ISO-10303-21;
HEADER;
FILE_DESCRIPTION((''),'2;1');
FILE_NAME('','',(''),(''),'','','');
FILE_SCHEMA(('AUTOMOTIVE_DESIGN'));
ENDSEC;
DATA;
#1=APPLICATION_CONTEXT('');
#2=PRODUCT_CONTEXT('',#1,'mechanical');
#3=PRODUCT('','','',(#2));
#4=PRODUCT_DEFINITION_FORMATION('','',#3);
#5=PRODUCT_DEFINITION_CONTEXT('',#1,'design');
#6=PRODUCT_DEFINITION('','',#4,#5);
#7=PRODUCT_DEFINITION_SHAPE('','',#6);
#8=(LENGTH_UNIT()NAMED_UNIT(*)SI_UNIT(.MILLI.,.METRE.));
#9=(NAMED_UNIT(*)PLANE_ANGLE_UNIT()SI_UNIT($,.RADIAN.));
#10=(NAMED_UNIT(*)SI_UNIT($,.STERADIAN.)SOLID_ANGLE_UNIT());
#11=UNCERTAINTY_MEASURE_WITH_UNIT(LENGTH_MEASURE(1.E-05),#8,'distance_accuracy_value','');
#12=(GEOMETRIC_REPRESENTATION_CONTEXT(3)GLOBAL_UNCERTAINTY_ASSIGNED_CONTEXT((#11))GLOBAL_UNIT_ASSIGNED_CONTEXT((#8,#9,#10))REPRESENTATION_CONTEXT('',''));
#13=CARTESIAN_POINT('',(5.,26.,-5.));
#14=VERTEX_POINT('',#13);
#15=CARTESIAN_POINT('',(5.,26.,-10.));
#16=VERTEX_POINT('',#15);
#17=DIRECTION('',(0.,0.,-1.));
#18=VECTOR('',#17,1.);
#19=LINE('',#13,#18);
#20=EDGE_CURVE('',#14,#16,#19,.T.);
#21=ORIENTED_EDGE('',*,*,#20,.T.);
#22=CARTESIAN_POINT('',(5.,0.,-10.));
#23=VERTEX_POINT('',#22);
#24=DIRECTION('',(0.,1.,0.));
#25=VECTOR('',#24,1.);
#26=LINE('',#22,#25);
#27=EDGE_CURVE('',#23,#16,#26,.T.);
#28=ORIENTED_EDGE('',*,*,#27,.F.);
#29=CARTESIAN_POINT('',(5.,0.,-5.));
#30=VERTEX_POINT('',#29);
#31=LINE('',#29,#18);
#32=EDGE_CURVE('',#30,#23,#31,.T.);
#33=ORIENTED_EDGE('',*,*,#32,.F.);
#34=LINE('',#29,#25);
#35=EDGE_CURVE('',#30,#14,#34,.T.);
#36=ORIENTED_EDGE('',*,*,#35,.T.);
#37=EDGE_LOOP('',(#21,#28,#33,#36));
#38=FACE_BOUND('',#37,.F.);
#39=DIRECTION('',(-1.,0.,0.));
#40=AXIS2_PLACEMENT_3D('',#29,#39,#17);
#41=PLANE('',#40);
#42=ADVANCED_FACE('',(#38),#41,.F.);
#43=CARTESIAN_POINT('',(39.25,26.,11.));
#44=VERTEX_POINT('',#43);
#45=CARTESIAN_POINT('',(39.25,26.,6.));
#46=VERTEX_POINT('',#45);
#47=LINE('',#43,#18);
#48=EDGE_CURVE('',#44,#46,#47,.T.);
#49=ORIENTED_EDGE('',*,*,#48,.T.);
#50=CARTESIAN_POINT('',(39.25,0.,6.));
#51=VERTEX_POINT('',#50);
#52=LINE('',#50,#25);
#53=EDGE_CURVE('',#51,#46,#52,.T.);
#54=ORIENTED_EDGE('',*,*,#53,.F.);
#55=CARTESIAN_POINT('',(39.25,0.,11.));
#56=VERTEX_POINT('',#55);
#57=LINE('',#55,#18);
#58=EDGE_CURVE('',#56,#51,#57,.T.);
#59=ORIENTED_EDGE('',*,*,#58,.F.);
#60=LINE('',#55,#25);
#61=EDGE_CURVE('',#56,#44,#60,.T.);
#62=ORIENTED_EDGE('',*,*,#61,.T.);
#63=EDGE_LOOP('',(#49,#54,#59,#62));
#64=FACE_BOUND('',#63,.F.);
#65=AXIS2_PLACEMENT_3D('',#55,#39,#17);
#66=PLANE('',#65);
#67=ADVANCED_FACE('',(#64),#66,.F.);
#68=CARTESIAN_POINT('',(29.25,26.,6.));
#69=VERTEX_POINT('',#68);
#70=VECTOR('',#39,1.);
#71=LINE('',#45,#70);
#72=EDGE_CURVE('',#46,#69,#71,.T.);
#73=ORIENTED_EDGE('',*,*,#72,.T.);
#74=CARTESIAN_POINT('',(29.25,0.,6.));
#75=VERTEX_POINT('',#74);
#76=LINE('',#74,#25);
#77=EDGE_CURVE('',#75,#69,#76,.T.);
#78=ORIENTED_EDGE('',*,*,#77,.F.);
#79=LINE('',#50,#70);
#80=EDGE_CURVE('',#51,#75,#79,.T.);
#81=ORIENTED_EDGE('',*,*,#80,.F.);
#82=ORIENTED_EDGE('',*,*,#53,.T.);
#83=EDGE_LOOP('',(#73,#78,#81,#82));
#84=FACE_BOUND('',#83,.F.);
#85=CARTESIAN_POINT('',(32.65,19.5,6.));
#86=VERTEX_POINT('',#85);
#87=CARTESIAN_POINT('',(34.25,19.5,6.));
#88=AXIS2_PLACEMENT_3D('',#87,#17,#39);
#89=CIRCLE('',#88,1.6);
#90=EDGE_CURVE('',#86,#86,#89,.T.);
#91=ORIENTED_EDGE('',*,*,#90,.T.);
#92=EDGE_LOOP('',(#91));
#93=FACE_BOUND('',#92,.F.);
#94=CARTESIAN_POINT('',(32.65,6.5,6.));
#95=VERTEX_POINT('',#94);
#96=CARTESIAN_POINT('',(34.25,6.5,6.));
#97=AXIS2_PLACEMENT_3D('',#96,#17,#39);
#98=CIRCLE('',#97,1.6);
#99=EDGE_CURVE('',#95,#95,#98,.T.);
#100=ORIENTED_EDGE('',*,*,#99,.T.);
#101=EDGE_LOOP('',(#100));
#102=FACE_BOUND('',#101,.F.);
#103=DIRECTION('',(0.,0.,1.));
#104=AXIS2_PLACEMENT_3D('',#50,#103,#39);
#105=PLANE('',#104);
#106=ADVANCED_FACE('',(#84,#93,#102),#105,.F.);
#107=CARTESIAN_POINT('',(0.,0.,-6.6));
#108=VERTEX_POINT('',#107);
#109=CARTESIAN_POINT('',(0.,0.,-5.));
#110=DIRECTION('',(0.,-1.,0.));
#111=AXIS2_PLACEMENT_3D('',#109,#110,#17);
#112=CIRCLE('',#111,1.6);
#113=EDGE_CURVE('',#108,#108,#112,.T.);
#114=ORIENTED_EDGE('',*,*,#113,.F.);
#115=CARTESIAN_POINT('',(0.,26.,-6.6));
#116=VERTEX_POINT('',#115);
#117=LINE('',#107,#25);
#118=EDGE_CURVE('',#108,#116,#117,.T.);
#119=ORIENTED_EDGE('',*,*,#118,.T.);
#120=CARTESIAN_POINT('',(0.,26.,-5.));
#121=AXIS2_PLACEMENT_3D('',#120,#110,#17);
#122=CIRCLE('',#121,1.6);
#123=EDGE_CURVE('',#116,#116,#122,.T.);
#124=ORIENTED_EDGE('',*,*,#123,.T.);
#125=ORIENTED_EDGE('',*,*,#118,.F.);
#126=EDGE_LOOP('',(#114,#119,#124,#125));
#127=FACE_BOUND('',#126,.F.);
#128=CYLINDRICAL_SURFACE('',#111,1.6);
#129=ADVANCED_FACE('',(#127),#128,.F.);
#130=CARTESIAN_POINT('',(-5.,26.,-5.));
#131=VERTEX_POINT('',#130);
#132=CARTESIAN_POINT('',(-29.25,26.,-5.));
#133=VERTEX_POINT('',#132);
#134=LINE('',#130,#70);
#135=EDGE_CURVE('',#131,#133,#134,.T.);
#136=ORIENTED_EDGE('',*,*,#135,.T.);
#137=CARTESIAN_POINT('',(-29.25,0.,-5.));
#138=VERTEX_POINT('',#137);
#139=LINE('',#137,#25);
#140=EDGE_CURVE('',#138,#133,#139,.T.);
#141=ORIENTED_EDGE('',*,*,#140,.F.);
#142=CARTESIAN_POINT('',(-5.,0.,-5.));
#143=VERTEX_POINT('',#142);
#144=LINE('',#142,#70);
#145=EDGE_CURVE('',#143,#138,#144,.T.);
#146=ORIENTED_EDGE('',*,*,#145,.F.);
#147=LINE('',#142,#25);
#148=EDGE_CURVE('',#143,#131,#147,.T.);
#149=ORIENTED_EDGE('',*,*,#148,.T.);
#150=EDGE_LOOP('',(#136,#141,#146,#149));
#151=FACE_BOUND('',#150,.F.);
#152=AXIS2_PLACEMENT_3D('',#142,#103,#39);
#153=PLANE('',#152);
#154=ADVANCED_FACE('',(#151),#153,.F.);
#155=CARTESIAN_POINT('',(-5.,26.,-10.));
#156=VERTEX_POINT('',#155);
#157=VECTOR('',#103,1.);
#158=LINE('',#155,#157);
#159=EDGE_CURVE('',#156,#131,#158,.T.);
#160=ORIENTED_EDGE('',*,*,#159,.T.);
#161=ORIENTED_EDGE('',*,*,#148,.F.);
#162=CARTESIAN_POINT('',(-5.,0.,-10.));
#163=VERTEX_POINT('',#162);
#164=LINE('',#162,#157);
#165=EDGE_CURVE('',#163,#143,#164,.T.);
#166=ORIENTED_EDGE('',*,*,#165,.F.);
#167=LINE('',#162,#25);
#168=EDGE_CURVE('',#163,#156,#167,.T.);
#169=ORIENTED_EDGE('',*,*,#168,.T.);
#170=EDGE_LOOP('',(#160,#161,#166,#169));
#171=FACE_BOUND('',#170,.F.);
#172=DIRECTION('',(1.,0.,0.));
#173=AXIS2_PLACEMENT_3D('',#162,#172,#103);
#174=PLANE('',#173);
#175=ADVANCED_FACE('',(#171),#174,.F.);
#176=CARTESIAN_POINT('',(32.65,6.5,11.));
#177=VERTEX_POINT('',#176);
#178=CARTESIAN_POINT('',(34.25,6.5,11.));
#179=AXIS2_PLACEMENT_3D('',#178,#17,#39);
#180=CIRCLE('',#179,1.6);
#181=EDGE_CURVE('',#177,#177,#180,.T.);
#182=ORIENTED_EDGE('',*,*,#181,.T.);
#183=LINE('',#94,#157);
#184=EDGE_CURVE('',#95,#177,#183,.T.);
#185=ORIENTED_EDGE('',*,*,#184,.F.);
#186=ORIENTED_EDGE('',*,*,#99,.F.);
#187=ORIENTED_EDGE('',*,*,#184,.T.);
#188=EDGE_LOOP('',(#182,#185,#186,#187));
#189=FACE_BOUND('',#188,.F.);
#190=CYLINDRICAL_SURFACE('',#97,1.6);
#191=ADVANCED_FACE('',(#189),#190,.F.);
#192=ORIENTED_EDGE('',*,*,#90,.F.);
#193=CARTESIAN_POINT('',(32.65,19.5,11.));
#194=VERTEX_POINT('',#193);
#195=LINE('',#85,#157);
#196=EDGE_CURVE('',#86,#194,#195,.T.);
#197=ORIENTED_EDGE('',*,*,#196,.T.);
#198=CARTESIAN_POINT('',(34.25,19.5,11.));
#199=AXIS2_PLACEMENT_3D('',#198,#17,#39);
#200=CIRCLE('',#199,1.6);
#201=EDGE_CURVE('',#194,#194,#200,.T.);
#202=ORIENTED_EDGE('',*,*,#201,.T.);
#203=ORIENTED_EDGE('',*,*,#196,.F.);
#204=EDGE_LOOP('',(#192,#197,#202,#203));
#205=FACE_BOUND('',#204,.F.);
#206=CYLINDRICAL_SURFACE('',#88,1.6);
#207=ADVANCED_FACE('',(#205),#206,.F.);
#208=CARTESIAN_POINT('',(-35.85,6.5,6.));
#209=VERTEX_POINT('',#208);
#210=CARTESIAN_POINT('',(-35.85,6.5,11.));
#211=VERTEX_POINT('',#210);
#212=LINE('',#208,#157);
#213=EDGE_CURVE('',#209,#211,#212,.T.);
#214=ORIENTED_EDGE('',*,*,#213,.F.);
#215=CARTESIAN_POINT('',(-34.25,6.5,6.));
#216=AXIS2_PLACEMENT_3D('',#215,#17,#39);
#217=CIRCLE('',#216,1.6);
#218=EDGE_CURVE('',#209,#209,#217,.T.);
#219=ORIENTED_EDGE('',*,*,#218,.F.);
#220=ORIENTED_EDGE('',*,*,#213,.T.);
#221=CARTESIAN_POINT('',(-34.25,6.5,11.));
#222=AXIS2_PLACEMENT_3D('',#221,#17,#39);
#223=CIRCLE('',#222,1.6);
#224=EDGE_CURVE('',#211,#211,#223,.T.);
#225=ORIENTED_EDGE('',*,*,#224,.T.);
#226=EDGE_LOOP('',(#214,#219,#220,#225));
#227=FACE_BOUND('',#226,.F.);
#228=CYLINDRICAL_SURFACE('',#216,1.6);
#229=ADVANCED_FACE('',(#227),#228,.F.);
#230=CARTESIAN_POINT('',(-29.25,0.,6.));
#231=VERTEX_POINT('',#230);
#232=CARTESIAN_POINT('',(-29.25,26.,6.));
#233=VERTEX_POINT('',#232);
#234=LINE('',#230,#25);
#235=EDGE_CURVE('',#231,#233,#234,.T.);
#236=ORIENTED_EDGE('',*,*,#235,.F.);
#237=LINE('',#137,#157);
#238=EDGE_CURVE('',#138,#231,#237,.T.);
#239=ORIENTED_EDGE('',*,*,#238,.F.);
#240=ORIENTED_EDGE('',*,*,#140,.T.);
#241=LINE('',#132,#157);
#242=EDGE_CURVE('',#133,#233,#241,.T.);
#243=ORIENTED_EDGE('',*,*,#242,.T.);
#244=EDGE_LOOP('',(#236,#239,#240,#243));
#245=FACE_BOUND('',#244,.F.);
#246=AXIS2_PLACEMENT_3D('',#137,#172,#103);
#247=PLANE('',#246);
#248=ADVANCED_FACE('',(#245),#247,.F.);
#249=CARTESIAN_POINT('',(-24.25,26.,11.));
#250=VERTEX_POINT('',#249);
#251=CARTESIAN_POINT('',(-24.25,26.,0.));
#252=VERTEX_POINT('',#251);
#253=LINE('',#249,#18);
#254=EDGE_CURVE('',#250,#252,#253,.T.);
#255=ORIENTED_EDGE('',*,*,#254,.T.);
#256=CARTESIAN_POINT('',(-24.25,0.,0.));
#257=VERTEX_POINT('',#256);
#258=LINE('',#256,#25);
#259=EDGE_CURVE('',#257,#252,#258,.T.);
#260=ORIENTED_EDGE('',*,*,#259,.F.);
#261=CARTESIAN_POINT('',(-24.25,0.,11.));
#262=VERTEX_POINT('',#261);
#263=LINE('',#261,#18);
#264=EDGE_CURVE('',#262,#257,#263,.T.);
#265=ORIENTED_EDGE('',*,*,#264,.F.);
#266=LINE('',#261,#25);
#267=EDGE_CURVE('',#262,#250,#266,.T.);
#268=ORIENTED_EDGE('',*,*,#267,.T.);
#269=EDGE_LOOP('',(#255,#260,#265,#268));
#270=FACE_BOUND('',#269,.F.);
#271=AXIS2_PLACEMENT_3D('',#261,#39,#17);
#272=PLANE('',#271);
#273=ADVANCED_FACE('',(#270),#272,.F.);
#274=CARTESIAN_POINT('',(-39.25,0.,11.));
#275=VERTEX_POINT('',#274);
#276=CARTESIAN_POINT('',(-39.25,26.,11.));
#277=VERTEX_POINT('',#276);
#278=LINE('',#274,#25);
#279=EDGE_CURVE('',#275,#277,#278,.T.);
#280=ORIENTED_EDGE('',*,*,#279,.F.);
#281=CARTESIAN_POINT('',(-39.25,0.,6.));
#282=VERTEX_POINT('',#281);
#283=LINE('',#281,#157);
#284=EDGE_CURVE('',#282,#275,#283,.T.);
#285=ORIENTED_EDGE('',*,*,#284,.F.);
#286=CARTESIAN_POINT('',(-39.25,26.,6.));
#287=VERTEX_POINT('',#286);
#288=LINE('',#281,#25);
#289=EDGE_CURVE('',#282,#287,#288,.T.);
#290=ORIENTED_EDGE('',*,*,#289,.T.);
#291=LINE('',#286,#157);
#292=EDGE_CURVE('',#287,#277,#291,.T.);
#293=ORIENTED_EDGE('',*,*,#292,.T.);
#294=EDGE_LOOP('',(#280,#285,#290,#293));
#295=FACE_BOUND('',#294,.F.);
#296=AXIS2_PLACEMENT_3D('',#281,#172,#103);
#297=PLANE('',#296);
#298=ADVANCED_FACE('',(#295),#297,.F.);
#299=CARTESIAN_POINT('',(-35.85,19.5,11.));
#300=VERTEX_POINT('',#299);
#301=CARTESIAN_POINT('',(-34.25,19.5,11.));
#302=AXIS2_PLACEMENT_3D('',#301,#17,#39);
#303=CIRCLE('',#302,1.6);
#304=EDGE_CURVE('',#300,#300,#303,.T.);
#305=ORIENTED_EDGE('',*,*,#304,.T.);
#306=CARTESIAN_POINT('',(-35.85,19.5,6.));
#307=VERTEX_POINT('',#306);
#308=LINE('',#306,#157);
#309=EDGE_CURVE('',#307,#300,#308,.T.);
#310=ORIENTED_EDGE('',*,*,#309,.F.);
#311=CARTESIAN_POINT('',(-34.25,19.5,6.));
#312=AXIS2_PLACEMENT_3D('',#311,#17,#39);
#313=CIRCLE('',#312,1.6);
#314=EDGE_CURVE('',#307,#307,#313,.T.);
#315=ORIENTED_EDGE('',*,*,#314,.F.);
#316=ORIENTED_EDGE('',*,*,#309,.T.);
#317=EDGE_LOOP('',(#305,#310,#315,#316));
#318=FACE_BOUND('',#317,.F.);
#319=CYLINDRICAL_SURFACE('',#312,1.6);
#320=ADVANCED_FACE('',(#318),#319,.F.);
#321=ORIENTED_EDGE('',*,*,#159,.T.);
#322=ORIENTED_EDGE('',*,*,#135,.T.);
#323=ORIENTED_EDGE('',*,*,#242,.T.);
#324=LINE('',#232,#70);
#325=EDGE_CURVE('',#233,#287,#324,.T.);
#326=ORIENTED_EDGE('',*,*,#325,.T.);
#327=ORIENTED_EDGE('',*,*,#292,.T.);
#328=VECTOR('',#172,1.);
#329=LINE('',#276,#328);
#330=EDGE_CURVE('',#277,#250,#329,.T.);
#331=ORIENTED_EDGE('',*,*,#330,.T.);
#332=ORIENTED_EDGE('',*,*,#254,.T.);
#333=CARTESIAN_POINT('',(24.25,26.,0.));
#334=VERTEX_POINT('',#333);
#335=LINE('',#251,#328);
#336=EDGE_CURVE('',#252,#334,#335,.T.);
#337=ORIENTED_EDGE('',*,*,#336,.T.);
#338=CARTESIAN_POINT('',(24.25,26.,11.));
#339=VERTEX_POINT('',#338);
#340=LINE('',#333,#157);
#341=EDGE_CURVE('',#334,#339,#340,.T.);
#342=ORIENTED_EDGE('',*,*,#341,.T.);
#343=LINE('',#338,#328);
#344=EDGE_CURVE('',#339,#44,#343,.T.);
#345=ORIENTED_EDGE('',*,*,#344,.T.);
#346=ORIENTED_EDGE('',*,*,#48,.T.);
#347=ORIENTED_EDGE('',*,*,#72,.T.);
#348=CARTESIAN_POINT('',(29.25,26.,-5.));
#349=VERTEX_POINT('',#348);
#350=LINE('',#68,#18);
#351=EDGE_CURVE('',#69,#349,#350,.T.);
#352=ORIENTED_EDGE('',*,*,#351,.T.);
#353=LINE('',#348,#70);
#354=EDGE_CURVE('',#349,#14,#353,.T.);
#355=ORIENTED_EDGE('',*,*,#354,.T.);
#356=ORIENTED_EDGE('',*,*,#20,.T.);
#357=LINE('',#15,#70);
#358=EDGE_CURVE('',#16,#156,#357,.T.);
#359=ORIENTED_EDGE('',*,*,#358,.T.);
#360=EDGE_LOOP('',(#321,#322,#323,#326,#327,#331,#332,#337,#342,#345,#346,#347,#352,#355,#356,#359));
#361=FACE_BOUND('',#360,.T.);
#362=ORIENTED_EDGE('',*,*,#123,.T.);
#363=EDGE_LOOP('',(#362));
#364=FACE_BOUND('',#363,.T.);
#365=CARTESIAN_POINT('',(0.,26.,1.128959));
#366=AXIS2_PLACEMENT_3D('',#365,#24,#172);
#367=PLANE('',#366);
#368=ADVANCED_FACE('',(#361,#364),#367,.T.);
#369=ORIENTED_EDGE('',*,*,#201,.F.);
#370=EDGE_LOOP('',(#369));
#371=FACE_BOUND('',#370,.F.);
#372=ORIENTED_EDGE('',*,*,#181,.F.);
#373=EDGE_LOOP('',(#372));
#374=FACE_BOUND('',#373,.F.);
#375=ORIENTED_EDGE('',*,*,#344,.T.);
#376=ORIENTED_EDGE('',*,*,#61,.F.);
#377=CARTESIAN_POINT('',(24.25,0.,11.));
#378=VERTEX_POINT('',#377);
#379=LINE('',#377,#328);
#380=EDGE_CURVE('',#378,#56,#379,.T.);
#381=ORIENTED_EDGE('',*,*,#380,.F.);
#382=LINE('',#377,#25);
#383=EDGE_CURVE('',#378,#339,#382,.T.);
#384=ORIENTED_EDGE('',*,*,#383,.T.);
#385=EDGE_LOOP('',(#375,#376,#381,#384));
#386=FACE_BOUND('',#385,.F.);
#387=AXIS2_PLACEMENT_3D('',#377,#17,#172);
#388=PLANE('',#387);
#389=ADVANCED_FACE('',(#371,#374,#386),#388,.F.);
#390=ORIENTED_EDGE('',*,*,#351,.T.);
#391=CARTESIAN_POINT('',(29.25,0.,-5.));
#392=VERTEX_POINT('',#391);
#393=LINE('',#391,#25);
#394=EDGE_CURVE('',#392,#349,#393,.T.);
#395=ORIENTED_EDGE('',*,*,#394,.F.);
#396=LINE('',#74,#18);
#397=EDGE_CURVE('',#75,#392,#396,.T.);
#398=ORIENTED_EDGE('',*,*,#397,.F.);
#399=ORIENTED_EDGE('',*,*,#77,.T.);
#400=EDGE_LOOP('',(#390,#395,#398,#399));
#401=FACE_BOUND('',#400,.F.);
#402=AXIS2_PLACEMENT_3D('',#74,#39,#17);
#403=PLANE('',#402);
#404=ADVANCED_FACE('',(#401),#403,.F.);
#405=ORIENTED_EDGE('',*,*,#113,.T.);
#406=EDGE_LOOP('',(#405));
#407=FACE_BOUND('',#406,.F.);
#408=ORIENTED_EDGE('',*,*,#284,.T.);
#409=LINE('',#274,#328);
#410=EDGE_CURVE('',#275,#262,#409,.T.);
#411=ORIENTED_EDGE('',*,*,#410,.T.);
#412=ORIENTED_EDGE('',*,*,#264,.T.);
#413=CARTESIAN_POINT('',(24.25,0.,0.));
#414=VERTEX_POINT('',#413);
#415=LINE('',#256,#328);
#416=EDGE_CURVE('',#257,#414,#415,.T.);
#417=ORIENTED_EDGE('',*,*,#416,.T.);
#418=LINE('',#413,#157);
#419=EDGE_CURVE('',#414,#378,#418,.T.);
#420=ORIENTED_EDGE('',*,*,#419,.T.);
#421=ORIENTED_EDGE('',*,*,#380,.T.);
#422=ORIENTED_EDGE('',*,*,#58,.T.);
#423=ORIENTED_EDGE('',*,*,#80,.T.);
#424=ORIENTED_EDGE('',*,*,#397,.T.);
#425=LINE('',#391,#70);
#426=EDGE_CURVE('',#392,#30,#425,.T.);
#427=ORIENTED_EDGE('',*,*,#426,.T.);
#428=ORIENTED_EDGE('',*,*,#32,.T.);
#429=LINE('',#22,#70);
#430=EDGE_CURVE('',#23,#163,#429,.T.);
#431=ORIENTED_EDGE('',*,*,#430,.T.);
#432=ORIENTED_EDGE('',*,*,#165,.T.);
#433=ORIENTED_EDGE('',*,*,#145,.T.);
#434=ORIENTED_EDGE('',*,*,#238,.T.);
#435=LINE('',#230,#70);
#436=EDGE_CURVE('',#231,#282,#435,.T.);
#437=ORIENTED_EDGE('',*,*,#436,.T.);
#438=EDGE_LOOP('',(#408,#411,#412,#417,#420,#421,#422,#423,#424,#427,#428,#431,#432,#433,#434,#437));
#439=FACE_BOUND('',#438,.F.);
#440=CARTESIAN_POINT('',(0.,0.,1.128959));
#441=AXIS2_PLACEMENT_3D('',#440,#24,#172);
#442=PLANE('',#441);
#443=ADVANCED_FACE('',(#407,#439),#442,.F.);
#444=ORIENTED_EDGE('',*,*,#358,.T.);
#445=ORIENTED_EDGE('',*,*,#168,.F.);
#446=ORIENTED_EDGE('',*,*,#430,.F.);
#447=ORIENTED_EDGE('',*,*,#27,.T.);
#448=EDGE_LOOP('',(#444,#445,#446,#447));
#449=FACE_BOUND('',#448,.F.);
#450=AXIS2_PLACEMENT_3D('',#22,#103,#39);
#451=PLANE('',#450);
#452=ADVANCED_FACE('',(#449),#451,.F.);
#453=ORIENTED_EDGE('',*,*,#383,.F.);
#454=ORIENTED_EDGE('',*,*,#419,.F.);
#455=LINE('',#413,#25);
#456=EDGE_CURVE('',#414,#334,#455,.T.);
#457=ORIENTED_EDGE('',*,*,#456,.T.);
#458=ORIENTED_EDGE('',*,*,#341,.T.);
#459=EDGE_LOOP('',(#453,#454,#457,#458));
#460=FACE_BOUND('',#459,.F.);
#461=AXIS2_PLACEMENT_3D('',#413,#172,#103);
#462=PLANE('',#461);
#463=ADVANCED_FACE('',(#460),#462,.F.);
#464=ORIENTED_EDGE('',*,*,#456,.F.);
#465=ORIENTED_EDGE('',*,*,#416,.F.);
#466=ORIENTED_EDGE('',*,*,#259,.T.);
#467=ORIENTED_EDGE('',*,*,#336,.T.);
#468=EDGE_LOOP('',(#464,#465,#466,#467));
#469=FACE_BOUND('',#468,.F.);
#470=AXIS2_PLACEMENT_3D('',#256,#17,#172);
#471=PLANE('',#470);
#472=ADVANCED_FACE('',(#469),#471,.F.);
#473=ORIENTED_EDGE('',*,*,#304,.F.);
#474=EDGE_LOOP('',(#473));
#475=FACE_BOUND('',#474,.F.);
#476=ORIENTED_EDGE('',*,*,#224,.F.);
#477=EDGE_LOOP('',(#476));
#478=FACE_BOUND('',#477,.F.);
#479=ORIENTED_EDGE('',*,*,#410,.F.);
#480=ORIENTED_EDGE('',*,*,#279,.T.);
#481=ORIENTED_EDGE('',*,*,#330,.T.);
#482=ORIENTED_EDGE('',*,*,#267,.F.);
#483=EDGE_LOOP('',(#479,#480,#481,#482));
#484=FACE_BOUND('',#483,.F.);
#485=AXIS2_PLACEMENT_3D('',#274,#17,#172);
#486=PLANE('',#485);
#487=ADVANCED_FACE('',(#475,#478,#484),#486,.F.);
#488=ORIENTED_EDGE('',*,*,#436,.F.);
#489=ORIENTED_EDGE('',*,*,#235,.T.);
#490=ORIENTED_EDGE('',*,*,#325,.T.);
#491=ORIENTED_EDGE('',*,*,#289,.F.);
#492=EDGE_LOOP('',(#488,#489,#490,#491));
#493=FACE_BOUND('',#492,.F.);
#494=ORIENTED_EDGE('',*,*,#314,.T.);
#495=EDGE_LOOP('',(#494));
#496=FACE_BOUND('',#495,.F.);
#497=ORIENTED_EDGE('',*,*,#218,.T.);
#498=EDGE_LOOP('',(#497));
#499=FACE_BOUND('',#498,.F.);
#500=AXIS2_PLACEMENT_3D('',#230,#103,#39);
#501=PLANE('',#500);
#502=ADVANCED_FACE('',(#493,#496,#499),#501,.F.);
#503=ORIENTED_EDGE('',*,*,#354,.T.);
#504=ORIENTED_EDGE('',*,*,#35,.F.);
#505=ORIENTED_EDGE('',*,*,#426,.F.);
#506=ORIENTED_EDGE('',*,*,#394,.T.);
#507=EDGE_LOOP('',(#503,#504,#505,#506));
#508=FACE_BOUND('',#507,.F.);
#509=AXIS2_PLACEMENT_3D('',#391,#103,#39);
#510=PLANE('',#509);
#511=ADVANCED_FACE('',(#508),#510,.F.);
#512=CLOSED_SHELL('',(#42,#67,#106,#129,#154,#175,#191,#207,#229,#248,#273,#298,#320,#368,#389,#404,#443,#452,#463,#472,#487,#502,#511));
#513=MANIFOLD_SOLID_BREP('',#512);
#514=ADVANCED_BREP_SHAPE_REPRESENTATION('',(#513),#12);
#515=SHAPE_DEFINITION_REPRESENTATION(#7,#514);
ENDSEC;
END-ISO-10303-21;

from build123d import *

# Parameters (mm, degrees)
BOSS_EXTRUDE2_DEPTH = 26
SKETCH5_R           = 1.6
CUT_EXTRUDE4_DEPTH  = 26
SKETCH6_R           = 1.6
CUT_EXTRUDE6_DEPTH  = 26


with BuildPart() as part:
    # Sketch1 → Boss-Extrude2 (new body)
    with BuildSketch(Plane(origin=(0, 0, 0), x_dir=(1, 0, 0), z_dir=(0, 1, 0))):
        Polygon((-24.25, 0), (24.25, 0), (24.25, -11), (39.25, -11), (39.25, -6), (29.25, -6), (29.25, 5), (5, 5), (5, 10), (-5, 10), (-5, 5), (-29.25, 5), (-29.25, -6), (-39.25, -6), (-39.25, -11), (-24.25, -11), align=None)
    extrude(amount=BOSS_EXTRUDE2_DEPTH)

    # Sketch5 → Cut-Extrude4 (cut)
    with BuildSketch(Plane.XZ):
        with Locations(Location((0, -5, 0), (0, 0, 270))):
            Circle(SKETCH5_R)
    extrude(amount=-CUT_EXTRUDE4_DEPTH, mode=Mode.SUBTRACT)

    # Sketch6 → Cut-Extrude6 (cut)
    with BuildSketch(Plane(origin=(0, 0, 6), x_dir=(-1, 0, 0), z_dir=(0, 0, -1))):
        with Locations((34.25, 19.5)):
            Circle(SKETCH6_R)
        with Locations((34.25, 6.5)):
            Circle(SKETCH6_R)
        with Locations((-34.25, 6.5)):
            Circle(SKETCH6_R)
        with Locations((-34.25, 19.5)):
            Circle(SKETCH6_R)
    extrude(amount=-CUT_EXTRUDE6_DEPTH, mode=Mode.SUBTRACT)


solid = part.part
